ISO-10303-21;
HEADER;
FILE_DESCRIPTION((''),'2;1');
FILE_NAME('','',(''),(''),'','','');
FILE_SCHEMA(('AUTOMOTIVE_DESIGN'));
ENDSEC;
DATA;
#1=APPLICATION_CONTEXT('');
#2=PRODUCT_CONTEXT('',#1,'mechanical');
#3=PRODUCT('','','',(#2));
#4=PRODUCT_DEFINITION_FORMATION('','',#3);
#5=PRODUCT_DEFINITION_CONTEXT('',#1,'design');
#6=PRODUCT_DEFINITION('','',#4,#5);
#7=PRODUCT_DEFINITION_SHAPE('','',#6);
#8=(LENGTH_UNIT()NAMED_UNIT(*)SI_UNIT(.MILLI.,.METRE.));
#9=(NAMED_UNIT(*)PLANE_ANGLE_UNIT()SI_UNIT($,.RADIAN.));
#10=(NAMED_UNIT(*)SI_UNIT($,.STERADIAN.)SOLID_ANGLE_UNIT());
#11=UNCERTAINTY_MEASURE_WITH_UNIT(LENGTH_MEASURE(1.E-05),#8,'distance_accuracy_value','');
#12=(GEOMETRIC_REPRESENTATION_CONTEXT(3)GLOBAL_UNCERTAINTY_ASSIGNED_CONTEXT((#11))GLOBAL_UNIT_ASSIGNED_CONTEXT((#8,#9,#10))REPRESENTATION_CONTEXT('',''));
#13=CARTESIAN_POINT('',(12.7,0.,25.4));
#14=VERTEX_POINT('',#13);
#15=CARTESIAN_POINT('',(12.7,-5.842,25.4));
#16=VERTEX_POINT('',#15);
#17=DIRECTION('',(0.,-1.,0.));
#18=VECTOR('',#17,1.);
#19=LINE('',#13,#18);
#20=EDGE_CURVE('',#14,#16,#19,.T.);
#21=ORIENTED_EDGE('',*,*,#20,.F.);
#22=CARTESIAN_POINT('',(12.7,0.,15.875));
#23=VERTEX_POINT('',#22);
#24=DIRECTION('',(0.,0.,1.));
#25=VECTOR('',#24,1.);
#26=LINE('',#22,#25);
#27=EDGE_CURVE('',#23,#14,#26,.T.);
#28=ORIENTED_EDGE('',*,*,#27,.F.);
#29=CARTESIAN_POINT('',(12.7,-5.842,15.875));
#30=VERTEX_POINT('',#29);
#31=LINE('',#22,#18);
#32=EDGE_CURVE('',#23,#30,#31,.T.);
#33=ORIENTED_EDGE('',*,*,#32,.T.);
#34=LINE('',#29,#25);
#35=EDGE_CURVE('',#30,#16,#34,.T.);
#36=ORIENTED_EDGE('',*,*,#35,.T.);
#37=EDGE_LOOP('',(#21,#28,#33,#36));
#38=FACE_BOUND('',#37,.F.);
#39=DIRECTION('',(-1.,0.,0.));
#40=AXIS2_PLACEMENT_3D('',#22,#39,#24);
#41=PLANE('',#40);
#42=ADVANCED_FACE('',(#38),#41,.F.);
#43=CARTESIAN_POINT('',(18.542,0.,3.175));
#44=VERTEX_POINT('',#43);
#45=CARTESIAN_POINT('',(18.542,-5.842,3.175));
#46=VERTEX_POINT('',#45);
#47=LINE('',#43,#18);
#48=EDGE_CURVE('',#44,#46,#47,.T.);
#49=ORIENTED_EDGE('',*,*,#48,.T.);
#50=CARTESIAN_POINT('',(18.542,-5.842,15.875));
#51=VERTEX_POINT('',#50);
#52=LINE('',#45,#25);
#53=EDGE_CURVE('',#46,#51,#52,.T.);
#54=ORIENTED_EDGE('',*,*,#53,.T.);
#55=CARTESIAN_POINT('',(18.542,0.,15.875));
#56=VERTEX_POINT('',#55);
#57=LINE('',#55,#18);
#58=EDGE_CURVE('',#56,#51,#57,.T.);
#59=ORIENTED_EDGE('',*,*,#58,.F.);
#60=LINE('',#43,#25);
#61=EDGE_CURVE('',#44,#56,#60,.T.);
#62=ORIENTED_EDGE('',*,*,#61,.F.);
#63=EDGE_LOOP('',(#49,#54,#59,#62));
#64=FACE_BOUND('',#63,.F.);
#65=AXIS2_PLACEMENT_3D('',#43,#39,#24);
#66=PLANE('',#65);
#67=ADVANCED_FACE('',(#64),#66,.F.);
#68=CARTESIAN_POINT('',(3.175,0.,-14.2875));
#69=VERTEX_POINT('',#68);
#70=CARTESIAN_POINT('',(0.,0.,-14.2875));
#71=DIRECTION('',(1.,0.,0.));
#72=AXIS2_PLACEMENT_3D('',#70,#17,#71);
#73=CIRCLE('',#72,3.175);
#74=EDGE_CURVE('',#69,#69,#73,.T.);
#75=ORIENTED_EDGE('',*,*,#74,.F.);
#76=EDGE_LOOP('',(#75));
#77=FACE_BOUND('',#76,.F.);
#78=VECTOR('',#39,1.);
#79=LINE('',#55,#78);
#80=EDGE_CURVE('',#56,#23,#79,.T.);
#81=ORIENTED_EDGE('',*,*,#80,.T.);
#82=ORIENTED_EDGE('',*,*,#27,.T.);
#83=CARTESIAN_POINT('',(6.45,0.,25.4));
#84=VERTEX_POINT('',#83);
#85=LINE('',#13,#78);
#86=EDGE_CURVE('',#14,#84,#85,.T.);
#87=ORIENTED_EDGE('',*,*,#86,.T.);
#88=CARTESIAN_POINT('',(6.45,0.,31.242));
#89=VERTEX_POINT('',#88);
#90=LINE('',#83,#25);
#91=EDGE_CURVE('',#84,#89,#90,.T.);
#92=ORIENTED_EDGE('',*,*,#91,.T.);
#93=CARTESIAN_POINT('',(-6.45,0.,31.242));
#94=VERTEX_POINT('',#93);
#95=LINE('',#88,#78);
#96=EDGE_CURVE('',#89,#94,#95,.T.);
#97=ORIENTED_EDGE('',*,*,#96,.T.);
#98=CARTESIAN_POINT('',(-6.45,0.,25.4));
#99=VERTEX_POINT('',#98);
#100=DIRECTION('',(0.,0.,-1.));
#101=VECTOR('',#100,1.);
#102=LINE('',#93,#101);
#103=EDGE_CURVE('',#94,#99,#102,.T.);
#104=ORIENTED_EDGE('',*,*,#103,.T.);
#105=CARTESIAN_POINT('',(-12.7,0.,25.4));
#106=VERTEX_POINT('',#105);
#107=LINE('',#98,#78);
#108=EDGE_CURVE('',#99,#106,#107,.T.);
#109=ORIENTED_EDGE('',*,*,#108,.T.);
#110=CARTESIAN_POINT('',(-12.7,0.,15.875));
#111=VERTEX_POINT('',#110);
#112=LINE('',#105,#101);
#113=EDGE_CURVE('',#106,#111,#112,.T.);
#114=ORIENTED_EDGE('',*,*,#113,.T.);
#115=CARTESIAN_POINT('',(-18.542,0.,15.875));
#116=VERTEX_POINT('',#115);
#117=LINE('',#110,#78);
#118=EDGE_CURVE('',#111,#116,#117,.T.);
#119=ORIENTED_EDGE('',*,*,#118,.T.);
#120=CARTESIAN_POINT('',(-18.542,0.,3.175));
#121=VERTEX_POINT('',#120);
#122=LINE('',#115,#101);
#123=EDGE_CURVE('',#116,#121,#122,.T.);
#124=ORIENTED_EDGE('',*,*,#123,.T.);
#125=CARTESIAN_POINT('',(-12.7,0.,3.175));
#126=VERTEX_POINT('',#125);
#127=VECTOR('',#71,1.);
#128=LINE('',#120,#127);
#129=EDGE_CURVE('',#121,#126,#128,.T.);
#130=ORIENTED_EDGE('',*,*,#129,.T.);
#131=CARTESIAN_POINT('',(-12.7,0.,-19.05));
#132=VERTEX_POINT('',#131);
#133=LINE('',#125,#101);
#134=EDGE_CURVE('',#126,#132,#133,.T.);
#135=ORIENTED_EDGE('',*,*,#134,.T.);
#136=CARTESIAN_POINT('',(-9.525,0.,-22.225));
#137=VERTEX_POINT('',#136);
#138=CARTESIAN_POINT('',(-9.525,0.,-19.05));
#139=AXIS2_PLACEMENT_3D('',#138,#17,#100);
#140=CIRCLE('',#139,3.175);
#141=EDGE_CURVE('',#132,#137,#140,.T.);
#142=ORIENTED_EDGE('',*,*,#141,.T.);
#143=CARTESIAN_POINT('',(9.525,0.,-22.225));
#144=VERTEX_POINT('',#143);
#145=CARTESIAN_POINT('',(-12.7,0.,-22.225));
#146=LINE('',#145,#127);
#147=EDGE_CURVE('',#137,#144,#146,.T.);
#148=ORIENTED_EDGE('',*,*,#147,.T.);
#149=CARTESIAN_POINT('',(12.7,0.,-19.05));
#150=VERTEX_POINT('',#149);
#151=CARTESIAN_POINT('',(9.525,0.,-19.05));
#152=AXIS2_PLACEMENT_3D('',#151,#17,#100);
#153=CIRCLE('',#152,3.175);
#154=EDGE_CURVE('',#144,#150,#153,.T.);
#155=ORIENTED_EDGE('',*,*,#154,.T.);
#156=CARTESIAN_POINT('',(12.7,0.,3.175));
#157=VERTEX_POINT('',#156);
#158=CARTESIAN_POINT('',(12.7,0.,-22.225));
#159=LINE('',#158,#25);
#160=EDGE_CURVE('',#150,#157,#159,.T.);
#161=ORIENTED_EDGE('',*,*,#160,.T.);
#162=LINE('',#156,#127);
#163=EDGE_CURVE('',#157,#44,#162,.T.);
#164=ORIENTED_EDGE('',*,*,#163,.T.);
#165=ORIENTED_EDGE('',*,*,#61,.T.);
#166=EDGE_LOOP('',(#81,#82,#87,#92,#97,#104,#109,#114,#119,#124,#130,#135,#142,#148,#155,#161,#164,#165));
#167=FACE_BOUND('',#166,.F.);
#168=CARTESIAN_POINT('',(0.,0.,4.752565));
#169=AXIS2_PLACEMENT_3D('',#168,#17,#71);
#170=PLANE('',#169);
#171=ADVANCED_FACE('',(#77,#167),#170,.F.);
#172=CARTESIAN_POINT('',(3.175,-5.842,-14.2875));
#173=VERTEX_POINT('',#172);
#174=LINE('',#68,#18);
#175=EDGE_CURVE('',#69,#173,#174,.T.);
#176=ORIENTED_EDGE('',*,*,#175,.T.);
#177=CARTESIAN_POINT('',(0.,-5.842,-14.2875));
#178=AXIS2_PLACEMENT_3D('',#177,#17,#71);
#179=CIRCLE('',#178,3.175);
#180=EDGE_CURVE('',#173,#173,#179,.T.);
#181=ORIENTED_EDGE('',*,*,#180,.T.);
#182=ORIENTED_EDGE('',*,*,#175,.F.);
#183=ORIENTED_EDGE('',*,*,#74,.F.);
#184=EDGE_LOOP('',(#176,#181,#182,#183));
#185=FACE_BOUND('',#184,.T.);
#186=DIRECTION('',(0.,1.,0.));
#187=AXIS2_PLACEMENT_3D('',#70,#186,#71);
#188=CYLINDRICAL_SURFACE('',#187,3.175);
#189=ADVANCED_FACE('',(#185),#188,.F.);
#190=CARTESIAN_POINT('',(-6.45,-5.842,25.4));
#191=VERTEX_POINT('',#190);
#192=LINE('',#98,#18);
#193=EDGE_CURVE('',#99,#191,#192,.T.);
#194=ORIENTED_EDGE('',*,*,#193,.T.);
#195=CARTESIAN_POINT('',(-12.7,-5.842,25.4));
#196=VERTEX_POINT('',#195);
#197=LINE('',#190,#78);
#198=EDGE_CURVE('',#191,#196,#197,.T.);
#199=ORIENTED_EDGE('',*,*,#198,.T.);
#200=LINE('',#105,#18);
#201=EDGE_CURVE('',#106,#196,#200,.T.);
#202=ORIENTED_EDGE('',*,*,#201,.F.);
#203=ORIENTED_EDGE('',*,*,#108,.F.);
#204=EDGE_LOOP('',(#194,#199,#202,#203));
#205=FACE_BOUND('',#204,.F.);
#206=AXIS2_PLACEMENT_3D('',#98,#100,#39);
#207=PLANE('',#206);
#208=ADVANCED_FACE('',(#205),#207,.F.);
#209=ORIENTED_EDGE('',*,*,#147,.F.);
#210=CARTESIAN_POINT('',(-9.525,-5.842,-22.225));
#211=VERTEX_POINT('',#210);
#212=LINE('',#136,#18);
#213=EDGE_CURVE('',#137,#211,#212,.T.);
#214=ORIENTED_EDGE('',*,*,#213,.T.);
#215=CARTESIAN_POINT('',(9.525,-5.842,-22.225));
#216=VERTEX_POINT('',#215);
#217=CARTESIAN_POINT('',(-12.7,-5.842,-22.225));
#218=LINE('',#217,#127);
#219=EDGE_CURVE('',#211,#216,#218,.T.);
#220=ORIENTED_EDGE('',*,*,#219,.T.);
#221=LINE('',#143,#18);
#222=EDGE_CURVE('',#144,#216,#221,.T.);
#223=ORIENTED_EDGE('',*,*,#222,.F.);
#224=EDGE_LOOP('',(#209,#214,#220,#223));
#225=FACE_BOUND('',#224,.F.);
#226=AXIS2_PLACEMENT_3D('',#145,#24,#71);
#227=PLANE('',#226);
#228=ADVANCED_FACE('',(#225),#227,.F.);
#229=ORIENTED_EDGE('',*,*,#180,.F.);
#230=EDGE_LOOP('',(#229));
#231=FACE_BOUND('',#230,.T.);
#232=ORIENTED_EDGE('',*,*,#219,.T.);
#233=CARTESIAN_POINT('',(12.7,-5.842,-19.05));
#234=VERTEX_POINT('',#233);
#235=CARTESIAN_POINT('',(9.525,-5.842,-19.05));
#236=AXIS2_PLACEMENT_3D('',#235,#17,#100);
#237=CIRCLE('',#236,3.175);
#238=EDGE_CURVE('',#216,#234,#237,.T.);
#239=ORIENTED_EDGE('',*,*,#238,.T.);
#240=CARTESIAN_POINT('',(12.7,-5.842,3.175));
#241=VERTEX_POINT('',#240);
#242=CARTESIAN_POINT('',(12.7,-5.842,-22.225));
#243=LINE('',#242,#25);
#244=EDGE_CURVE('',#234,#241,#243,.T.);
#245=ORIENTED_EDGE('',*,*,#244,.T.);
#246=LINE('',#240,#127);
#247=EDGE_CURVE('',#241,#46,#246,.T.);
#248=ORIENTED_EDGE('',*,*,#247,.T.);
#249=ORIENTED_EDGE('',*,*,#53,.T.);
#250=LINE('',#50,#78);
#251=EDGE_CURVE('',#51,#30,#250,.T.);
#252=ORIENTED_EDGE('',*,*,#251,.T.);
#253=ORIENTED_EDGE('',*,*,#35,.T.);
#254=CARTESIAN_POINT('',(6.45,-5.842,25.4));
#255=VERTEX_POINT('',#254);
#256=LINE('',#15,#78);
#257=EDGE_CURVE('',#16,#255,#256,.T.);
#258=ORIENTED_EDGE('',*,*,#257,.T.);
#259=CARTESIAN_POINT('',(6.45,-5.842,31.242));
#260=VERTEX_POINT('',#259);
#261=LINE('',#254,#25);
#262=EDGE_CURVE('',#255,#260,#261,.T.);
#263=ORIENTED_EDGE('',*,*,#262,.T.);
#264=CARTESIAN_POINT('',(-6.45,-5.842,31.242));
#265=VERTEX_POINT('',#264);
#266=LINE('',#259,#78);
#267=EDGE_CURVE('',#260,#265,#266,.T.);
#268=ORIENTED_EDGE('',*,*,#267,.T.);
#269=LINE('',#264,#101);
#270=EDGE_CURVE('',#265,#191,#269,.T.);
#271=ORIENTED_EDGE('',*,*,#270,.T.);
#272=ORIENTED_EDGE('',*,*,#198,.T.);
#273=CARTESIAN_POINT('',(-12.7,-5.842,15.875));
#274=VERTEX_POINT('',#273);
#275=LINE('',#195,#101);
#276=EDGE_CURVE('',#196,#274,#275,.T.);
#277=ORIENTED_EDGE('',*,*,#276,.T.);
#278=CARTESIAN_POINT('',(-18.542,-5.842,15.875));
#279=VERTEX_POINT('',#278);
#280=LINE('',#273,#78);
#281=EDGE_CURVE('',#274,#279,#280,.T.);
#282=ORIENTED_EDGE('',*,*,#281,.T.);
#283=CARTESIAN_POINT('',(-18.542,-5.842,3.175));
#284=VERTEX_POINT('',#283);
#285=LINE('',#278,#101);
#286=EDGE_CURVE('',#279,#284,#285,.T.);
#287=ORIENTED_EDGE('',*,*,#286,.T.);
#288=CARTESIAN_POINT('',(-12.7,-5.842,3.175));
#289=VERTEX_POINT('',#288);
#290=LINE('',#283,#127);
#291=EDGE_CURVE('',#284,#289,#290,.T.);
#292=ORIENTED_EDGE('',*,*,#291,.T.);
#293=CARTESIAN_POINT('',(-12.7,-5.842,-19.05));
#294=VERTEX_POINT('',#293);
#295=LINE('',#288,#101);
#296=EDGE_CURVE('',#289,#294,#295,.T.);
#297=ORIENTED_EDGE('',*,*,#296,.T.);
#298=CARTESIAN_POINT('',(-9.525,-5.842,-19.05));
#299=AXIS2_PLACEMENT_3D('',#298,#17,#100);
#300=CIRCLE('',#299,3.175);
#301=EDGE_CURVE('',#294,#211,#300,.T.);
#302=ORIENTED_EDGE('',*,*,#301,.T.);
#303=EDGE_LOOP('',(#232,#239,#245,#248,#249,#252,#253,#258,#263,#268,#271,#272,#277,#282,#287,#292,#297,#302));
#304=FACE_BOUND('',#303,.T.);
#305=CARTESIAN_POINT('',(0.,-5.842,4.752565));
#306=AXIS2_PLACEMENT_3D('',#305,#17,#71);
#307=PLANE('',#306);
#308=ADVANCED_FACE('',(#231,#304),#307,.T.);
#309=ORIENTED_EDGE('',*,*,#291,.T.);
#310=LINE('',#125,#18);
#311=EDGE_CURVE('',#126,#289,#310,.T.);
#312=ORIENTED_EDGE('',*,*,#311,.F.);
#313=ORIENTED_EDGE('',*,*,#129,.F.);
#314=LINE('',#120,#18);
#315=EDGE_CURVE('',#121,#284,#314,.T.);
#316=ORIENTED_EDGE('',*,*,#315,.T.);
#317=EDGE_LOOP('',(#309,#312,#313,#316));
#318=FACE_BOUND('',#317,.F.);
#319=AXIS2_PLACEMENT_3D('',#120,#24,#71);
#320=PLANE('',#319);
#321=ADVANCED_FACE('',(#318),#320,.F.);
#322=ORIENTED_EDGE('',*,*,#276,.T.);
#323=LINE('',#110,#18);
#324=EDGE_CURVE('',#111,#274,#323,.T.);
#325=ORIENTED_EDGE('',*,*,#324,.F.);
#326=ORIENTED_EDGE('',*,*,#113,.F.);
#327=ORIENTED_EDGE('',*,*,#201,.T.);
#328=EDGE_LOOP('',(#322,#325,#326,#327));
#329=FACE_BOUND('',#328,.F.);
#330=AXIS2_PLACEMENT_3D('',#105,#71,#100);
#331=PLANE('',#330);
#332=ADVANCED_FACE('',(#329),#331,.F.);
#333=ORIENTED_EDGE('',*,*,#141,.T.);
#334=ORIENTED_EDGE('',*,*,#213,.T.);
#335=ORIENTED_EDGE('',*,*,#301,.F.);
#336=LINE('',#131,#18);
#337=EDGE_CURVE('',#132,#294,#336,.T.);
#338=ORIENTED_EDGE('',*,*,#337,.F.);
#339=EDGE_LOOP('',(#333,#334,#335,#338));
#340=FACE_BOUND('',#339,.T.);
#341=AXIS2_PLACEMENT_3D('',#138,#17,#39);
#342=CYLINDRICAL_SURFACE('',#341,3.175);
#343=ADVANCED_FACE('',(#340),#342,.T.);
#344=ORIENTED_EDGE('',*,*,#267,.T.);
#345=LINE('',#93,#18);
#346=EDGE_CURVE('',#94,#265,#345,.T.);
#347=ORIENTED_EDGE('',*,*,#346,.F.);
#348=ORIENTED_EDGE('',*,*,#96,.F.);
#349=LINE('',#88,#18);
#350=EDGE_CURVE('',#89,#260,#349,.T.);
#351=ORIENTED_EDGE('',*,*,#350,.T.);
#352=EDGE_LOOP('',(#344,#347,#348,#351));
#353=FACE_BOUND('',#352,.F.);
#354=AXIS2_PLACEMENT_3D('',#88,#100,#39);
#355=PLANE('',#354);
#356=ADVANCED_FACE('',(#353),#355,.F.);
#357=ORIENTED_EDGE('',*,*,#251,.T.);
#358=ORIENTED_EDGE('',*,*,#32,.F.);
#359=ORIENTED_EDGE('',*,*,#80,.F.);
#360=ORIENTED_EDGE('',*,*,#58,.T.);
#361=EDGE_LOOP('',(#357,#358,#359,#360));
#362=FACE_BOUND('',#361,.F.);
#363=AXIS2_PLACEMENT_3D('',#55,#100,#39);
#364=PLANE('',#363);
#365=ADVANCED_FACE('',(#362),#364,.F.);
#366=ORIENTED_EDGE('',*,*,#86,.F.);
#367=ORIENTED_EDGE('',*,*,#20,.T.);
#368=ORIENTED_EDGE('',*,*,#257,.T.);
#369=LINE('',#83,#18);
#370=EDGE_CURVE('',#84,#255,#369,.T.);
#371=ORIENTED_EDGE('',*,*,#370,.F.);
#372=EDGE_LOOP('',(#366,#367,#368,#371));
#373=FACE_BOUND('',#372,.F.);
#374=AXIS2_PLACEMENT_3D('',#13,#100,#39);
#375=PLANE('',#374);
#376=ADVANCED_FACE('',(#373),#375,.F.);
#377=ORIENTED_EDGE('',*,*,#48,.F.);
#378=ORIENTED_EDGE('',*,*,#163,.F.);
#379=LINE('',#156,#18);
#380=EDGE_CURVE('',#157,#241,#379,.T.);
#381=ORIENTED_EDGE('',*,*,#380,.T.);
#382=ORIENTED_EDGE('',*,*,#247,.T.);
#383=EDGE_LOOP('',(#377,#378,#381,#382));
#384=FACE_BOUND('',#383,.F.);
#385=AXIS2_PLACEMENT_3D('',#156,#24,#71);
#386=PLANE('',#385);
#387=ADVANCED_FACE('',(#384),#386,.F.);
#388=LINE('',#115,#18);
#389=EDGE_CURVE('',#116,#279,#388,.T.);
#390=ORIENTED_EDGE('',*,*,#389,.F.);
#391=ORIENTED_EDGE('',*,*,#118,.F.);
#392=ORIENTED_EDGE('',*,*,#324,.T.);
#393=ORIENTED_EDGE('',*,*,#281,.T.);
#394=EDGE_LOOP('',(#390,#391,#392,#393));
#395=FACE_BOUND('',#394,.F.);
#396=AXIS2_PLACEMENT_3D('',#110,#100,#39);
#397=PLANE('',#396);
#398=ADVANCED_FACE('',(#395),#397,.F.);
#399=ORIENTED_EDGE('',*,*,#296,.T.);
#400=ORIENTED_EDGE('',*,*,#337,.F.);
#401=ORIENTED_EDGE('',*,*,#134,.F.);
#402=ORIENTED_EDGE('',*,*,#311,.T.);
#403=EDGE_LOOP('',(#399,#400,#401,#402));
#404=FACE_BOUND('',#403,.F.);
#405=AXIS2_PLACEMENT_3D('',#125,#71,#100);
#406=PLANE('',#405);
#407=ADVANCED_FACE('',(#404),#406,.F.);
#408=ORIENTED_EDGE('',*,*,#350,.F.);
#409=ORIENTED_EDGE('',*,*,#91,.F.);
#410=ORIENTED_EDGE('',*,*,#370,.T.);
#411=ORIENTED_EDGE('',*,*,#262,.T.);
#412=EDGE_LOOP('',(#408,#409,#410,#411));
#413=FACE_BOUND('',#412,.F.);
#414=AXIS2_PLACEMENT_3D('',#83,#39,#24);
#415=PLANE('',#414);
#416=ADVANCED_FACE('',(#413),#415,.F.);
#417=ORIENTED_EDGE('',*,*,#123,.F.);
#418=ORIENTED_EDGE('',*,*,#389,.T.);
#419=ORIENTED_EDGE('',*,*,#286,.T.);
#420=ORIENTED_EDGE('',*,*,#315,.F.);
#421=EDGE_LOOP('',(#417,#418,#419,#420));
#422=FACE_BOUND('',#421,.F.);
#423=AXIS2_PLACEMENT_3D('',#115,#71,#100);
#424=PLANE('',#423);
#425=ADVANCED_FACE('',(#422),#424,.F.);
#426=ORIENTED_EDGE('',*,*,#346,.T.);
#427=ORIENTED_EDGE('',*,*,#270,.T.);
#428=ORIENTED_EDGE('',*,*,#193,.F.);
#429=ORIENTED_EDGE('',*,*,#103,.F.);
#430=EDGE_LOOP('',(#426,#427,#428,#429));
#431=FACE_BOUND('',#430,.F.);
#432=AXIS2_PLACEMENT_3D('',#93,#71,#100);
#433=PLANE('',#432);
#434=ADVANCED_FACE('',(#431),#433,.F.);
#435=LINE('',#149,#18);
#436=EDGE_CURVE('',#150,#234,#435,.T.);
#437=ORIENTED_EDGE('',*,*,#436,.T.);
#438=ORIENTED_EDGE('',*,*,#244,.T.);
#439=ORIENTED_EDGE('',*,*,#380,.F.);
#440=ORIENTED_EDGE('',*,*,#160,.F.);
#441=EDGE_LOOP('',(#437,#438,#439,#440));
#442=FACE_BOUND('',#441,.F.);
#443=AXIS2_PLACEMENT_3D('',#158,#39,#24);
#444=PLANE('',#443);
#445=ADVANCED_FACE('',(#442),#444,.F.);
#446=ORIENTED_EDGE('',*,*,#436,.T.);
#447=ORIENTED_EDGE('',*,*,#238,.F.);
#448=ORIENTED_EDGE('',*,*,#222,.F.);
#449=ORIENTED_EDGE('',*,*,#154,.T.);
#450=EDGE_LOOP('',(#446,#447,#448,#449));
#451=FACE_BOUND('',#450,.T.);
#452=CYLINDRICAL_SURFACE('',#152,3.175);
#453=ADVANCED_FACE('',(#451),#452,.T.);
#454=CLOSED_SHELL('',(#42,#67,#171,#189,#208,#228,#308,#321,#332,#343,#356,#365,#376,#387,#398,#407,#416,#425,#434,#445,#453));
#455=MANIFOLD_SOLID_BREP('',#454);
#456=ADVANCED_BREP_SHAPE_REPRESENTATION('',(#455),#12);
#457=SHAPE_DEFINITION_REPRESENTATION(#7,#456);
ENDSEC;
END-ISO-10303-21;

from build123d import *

# Parameters (mm, degrees)
F0_R     = 3.175
F1_DEPTH = 5.842
F2_R     = 3.175


with BuildPart() as f1:
    # F0 (on Front) → F1 (new body)
    with BuildSketch(Plane.XZ):
        Polygon((-6.45, 25.4), (-12.7, 25.4), (-12.7, 15.875), (-18.542, 15.875), (-18.542, 3.175), (-12.7, 3.175), (-12.7, -6.35), (-12.7, -22.225), (12.7, -22.225), (12.7, -6.35), (12.7, 3.175), (18.542, 3.175), (18.542, 15.875), (12.7, 15.875), (12.7, 25.4), (6.45, 25.4), (6.45, 31.242), (-6.45, 31.242), align=None)
        with Locations((0, -14.2875)):
            Circle(F0_R, mode=Mode.SUBTRACT)
    extrude(amount=F1_DEPTH)

    # F2
    f2_edges = [f1.edges().sort_by_distance(p)[0] for p in [
        (-12.7, -2.921, -22.225),
        (12.7, -2.921, -22.225),
    ]]
    fillet(f2_edges, radius=F2_R)


solid = f1.part
